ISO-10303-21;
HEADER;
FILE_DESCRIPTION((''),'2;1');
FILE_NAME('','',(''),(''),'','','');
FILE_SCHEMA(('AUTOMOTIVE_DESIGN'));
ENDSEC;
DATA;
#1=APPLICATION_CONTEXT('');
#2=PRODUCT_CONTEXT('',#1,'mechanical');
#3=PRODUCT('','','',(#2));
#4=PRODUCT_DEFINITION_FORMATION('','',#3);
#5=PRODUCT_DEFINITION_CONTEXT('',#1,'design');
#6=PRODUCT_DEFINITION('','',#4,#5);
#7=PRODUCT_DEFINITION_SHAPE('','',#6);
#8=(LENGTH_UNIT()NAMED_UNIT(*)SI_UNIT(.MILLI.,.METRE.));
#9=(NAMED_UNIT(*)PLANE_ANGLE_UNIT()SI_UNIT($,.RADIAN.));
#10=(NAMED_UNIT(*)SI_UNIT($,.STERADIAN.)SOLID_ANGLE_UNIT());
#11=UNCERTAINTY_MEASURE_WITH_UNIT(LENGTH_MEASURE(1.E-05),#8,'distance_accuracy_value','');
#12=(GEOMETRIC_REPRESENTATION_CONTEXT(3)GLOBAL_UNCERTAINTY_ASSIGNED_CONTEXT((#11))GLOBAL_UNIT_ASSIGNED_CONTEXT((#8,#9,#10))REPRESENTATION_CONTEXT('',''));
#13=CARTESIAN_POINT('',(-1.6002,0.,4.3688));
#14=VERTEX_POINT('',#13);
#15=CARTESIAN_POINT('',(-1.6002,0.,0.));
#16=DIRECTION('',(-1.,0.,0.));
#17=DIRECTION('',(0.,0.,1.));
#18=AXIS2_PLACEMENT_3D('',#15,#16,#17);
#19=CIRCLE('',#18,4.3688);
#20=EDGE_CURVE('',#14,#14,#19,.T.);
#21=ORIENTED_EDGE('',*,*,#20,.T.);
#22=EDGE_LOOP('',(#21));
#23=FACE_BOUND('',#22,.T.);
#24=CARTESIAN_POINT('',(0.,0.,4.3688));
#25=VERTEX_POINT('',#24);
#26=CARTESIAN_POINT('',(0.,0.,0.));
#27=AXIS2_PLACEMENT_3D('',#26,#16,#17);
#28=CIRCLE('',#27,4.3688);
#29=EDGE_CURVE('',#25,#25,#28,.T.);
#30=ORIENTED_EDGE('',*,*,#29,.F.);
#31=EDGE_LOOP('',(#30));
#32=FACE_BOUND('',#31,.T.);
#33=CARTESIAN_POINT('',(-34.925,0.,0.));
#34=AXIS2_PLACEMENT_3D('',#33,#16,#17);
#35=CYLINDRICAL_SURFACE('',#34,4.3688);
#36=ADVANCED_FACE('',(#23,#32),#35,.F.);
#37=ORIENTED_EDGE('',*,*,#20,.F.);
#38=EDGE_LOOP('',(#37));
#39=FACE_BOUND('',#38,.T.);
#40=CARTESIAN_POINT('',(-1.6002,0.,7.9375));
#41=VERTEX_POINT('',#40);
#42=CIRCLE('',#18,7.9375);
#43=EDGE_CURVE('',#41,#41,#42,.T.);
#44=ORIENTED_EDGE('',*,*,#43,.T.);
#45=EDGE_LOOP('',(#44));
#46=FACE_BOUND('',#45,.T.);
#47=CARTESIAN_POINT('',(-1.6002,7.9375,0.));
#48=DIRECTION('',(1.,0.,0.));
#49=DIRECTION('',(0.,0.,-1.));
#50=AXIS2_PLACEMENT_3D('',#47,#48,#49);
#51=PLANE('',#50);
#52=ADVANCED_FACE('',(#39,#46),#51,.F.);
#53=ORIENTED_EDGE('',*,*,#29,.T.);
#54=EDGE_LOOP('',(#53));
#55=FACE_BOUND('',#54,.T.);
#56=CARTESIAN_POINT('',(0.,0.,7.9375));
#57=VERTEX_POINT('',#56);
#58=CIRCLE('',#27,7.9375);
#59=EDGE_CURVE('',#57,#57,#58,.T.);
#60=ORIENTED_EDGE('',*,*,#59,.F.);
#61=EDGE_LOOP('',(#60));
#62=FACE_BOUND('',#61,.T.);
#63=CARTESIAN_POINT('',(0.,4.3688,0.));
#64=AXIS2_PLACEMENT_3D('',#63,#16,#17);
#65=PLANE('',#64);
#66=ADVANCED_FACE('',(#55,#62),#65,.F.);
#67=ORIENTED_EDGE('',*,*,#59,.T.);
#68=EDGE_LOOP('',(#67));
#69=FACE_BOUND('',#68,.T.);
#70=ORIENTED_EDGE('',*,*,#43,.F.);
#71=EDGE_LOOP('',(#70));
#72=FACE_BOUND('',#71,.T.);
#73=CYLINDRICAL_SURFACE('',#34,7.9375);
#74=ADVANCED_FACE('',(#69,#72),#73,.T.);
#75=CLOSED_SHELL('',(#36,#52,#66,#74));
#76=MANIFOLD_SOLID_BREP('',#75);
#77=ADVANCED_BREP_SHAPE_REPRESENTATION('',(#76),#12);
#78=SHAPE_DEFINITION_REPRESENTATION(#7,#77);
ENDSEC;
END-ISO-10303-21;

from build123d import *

# Parameters (mm, degrees)
SKETCH1_W = 1.6002
SKETCH1_H = 3.5687


with BuildPart() as part:
    # Sketch1 → Base-Revolve (revolve)
    with BuildSketch(Plane.XY):
        with Locations((-0.8001, 6.15315)):
            Rectangle(SKETCH1_W, SKETCH1_H)
    revolve(axis=Axis((-34.925, 0, 0), (1, 0, 0)))


solid = part.part
